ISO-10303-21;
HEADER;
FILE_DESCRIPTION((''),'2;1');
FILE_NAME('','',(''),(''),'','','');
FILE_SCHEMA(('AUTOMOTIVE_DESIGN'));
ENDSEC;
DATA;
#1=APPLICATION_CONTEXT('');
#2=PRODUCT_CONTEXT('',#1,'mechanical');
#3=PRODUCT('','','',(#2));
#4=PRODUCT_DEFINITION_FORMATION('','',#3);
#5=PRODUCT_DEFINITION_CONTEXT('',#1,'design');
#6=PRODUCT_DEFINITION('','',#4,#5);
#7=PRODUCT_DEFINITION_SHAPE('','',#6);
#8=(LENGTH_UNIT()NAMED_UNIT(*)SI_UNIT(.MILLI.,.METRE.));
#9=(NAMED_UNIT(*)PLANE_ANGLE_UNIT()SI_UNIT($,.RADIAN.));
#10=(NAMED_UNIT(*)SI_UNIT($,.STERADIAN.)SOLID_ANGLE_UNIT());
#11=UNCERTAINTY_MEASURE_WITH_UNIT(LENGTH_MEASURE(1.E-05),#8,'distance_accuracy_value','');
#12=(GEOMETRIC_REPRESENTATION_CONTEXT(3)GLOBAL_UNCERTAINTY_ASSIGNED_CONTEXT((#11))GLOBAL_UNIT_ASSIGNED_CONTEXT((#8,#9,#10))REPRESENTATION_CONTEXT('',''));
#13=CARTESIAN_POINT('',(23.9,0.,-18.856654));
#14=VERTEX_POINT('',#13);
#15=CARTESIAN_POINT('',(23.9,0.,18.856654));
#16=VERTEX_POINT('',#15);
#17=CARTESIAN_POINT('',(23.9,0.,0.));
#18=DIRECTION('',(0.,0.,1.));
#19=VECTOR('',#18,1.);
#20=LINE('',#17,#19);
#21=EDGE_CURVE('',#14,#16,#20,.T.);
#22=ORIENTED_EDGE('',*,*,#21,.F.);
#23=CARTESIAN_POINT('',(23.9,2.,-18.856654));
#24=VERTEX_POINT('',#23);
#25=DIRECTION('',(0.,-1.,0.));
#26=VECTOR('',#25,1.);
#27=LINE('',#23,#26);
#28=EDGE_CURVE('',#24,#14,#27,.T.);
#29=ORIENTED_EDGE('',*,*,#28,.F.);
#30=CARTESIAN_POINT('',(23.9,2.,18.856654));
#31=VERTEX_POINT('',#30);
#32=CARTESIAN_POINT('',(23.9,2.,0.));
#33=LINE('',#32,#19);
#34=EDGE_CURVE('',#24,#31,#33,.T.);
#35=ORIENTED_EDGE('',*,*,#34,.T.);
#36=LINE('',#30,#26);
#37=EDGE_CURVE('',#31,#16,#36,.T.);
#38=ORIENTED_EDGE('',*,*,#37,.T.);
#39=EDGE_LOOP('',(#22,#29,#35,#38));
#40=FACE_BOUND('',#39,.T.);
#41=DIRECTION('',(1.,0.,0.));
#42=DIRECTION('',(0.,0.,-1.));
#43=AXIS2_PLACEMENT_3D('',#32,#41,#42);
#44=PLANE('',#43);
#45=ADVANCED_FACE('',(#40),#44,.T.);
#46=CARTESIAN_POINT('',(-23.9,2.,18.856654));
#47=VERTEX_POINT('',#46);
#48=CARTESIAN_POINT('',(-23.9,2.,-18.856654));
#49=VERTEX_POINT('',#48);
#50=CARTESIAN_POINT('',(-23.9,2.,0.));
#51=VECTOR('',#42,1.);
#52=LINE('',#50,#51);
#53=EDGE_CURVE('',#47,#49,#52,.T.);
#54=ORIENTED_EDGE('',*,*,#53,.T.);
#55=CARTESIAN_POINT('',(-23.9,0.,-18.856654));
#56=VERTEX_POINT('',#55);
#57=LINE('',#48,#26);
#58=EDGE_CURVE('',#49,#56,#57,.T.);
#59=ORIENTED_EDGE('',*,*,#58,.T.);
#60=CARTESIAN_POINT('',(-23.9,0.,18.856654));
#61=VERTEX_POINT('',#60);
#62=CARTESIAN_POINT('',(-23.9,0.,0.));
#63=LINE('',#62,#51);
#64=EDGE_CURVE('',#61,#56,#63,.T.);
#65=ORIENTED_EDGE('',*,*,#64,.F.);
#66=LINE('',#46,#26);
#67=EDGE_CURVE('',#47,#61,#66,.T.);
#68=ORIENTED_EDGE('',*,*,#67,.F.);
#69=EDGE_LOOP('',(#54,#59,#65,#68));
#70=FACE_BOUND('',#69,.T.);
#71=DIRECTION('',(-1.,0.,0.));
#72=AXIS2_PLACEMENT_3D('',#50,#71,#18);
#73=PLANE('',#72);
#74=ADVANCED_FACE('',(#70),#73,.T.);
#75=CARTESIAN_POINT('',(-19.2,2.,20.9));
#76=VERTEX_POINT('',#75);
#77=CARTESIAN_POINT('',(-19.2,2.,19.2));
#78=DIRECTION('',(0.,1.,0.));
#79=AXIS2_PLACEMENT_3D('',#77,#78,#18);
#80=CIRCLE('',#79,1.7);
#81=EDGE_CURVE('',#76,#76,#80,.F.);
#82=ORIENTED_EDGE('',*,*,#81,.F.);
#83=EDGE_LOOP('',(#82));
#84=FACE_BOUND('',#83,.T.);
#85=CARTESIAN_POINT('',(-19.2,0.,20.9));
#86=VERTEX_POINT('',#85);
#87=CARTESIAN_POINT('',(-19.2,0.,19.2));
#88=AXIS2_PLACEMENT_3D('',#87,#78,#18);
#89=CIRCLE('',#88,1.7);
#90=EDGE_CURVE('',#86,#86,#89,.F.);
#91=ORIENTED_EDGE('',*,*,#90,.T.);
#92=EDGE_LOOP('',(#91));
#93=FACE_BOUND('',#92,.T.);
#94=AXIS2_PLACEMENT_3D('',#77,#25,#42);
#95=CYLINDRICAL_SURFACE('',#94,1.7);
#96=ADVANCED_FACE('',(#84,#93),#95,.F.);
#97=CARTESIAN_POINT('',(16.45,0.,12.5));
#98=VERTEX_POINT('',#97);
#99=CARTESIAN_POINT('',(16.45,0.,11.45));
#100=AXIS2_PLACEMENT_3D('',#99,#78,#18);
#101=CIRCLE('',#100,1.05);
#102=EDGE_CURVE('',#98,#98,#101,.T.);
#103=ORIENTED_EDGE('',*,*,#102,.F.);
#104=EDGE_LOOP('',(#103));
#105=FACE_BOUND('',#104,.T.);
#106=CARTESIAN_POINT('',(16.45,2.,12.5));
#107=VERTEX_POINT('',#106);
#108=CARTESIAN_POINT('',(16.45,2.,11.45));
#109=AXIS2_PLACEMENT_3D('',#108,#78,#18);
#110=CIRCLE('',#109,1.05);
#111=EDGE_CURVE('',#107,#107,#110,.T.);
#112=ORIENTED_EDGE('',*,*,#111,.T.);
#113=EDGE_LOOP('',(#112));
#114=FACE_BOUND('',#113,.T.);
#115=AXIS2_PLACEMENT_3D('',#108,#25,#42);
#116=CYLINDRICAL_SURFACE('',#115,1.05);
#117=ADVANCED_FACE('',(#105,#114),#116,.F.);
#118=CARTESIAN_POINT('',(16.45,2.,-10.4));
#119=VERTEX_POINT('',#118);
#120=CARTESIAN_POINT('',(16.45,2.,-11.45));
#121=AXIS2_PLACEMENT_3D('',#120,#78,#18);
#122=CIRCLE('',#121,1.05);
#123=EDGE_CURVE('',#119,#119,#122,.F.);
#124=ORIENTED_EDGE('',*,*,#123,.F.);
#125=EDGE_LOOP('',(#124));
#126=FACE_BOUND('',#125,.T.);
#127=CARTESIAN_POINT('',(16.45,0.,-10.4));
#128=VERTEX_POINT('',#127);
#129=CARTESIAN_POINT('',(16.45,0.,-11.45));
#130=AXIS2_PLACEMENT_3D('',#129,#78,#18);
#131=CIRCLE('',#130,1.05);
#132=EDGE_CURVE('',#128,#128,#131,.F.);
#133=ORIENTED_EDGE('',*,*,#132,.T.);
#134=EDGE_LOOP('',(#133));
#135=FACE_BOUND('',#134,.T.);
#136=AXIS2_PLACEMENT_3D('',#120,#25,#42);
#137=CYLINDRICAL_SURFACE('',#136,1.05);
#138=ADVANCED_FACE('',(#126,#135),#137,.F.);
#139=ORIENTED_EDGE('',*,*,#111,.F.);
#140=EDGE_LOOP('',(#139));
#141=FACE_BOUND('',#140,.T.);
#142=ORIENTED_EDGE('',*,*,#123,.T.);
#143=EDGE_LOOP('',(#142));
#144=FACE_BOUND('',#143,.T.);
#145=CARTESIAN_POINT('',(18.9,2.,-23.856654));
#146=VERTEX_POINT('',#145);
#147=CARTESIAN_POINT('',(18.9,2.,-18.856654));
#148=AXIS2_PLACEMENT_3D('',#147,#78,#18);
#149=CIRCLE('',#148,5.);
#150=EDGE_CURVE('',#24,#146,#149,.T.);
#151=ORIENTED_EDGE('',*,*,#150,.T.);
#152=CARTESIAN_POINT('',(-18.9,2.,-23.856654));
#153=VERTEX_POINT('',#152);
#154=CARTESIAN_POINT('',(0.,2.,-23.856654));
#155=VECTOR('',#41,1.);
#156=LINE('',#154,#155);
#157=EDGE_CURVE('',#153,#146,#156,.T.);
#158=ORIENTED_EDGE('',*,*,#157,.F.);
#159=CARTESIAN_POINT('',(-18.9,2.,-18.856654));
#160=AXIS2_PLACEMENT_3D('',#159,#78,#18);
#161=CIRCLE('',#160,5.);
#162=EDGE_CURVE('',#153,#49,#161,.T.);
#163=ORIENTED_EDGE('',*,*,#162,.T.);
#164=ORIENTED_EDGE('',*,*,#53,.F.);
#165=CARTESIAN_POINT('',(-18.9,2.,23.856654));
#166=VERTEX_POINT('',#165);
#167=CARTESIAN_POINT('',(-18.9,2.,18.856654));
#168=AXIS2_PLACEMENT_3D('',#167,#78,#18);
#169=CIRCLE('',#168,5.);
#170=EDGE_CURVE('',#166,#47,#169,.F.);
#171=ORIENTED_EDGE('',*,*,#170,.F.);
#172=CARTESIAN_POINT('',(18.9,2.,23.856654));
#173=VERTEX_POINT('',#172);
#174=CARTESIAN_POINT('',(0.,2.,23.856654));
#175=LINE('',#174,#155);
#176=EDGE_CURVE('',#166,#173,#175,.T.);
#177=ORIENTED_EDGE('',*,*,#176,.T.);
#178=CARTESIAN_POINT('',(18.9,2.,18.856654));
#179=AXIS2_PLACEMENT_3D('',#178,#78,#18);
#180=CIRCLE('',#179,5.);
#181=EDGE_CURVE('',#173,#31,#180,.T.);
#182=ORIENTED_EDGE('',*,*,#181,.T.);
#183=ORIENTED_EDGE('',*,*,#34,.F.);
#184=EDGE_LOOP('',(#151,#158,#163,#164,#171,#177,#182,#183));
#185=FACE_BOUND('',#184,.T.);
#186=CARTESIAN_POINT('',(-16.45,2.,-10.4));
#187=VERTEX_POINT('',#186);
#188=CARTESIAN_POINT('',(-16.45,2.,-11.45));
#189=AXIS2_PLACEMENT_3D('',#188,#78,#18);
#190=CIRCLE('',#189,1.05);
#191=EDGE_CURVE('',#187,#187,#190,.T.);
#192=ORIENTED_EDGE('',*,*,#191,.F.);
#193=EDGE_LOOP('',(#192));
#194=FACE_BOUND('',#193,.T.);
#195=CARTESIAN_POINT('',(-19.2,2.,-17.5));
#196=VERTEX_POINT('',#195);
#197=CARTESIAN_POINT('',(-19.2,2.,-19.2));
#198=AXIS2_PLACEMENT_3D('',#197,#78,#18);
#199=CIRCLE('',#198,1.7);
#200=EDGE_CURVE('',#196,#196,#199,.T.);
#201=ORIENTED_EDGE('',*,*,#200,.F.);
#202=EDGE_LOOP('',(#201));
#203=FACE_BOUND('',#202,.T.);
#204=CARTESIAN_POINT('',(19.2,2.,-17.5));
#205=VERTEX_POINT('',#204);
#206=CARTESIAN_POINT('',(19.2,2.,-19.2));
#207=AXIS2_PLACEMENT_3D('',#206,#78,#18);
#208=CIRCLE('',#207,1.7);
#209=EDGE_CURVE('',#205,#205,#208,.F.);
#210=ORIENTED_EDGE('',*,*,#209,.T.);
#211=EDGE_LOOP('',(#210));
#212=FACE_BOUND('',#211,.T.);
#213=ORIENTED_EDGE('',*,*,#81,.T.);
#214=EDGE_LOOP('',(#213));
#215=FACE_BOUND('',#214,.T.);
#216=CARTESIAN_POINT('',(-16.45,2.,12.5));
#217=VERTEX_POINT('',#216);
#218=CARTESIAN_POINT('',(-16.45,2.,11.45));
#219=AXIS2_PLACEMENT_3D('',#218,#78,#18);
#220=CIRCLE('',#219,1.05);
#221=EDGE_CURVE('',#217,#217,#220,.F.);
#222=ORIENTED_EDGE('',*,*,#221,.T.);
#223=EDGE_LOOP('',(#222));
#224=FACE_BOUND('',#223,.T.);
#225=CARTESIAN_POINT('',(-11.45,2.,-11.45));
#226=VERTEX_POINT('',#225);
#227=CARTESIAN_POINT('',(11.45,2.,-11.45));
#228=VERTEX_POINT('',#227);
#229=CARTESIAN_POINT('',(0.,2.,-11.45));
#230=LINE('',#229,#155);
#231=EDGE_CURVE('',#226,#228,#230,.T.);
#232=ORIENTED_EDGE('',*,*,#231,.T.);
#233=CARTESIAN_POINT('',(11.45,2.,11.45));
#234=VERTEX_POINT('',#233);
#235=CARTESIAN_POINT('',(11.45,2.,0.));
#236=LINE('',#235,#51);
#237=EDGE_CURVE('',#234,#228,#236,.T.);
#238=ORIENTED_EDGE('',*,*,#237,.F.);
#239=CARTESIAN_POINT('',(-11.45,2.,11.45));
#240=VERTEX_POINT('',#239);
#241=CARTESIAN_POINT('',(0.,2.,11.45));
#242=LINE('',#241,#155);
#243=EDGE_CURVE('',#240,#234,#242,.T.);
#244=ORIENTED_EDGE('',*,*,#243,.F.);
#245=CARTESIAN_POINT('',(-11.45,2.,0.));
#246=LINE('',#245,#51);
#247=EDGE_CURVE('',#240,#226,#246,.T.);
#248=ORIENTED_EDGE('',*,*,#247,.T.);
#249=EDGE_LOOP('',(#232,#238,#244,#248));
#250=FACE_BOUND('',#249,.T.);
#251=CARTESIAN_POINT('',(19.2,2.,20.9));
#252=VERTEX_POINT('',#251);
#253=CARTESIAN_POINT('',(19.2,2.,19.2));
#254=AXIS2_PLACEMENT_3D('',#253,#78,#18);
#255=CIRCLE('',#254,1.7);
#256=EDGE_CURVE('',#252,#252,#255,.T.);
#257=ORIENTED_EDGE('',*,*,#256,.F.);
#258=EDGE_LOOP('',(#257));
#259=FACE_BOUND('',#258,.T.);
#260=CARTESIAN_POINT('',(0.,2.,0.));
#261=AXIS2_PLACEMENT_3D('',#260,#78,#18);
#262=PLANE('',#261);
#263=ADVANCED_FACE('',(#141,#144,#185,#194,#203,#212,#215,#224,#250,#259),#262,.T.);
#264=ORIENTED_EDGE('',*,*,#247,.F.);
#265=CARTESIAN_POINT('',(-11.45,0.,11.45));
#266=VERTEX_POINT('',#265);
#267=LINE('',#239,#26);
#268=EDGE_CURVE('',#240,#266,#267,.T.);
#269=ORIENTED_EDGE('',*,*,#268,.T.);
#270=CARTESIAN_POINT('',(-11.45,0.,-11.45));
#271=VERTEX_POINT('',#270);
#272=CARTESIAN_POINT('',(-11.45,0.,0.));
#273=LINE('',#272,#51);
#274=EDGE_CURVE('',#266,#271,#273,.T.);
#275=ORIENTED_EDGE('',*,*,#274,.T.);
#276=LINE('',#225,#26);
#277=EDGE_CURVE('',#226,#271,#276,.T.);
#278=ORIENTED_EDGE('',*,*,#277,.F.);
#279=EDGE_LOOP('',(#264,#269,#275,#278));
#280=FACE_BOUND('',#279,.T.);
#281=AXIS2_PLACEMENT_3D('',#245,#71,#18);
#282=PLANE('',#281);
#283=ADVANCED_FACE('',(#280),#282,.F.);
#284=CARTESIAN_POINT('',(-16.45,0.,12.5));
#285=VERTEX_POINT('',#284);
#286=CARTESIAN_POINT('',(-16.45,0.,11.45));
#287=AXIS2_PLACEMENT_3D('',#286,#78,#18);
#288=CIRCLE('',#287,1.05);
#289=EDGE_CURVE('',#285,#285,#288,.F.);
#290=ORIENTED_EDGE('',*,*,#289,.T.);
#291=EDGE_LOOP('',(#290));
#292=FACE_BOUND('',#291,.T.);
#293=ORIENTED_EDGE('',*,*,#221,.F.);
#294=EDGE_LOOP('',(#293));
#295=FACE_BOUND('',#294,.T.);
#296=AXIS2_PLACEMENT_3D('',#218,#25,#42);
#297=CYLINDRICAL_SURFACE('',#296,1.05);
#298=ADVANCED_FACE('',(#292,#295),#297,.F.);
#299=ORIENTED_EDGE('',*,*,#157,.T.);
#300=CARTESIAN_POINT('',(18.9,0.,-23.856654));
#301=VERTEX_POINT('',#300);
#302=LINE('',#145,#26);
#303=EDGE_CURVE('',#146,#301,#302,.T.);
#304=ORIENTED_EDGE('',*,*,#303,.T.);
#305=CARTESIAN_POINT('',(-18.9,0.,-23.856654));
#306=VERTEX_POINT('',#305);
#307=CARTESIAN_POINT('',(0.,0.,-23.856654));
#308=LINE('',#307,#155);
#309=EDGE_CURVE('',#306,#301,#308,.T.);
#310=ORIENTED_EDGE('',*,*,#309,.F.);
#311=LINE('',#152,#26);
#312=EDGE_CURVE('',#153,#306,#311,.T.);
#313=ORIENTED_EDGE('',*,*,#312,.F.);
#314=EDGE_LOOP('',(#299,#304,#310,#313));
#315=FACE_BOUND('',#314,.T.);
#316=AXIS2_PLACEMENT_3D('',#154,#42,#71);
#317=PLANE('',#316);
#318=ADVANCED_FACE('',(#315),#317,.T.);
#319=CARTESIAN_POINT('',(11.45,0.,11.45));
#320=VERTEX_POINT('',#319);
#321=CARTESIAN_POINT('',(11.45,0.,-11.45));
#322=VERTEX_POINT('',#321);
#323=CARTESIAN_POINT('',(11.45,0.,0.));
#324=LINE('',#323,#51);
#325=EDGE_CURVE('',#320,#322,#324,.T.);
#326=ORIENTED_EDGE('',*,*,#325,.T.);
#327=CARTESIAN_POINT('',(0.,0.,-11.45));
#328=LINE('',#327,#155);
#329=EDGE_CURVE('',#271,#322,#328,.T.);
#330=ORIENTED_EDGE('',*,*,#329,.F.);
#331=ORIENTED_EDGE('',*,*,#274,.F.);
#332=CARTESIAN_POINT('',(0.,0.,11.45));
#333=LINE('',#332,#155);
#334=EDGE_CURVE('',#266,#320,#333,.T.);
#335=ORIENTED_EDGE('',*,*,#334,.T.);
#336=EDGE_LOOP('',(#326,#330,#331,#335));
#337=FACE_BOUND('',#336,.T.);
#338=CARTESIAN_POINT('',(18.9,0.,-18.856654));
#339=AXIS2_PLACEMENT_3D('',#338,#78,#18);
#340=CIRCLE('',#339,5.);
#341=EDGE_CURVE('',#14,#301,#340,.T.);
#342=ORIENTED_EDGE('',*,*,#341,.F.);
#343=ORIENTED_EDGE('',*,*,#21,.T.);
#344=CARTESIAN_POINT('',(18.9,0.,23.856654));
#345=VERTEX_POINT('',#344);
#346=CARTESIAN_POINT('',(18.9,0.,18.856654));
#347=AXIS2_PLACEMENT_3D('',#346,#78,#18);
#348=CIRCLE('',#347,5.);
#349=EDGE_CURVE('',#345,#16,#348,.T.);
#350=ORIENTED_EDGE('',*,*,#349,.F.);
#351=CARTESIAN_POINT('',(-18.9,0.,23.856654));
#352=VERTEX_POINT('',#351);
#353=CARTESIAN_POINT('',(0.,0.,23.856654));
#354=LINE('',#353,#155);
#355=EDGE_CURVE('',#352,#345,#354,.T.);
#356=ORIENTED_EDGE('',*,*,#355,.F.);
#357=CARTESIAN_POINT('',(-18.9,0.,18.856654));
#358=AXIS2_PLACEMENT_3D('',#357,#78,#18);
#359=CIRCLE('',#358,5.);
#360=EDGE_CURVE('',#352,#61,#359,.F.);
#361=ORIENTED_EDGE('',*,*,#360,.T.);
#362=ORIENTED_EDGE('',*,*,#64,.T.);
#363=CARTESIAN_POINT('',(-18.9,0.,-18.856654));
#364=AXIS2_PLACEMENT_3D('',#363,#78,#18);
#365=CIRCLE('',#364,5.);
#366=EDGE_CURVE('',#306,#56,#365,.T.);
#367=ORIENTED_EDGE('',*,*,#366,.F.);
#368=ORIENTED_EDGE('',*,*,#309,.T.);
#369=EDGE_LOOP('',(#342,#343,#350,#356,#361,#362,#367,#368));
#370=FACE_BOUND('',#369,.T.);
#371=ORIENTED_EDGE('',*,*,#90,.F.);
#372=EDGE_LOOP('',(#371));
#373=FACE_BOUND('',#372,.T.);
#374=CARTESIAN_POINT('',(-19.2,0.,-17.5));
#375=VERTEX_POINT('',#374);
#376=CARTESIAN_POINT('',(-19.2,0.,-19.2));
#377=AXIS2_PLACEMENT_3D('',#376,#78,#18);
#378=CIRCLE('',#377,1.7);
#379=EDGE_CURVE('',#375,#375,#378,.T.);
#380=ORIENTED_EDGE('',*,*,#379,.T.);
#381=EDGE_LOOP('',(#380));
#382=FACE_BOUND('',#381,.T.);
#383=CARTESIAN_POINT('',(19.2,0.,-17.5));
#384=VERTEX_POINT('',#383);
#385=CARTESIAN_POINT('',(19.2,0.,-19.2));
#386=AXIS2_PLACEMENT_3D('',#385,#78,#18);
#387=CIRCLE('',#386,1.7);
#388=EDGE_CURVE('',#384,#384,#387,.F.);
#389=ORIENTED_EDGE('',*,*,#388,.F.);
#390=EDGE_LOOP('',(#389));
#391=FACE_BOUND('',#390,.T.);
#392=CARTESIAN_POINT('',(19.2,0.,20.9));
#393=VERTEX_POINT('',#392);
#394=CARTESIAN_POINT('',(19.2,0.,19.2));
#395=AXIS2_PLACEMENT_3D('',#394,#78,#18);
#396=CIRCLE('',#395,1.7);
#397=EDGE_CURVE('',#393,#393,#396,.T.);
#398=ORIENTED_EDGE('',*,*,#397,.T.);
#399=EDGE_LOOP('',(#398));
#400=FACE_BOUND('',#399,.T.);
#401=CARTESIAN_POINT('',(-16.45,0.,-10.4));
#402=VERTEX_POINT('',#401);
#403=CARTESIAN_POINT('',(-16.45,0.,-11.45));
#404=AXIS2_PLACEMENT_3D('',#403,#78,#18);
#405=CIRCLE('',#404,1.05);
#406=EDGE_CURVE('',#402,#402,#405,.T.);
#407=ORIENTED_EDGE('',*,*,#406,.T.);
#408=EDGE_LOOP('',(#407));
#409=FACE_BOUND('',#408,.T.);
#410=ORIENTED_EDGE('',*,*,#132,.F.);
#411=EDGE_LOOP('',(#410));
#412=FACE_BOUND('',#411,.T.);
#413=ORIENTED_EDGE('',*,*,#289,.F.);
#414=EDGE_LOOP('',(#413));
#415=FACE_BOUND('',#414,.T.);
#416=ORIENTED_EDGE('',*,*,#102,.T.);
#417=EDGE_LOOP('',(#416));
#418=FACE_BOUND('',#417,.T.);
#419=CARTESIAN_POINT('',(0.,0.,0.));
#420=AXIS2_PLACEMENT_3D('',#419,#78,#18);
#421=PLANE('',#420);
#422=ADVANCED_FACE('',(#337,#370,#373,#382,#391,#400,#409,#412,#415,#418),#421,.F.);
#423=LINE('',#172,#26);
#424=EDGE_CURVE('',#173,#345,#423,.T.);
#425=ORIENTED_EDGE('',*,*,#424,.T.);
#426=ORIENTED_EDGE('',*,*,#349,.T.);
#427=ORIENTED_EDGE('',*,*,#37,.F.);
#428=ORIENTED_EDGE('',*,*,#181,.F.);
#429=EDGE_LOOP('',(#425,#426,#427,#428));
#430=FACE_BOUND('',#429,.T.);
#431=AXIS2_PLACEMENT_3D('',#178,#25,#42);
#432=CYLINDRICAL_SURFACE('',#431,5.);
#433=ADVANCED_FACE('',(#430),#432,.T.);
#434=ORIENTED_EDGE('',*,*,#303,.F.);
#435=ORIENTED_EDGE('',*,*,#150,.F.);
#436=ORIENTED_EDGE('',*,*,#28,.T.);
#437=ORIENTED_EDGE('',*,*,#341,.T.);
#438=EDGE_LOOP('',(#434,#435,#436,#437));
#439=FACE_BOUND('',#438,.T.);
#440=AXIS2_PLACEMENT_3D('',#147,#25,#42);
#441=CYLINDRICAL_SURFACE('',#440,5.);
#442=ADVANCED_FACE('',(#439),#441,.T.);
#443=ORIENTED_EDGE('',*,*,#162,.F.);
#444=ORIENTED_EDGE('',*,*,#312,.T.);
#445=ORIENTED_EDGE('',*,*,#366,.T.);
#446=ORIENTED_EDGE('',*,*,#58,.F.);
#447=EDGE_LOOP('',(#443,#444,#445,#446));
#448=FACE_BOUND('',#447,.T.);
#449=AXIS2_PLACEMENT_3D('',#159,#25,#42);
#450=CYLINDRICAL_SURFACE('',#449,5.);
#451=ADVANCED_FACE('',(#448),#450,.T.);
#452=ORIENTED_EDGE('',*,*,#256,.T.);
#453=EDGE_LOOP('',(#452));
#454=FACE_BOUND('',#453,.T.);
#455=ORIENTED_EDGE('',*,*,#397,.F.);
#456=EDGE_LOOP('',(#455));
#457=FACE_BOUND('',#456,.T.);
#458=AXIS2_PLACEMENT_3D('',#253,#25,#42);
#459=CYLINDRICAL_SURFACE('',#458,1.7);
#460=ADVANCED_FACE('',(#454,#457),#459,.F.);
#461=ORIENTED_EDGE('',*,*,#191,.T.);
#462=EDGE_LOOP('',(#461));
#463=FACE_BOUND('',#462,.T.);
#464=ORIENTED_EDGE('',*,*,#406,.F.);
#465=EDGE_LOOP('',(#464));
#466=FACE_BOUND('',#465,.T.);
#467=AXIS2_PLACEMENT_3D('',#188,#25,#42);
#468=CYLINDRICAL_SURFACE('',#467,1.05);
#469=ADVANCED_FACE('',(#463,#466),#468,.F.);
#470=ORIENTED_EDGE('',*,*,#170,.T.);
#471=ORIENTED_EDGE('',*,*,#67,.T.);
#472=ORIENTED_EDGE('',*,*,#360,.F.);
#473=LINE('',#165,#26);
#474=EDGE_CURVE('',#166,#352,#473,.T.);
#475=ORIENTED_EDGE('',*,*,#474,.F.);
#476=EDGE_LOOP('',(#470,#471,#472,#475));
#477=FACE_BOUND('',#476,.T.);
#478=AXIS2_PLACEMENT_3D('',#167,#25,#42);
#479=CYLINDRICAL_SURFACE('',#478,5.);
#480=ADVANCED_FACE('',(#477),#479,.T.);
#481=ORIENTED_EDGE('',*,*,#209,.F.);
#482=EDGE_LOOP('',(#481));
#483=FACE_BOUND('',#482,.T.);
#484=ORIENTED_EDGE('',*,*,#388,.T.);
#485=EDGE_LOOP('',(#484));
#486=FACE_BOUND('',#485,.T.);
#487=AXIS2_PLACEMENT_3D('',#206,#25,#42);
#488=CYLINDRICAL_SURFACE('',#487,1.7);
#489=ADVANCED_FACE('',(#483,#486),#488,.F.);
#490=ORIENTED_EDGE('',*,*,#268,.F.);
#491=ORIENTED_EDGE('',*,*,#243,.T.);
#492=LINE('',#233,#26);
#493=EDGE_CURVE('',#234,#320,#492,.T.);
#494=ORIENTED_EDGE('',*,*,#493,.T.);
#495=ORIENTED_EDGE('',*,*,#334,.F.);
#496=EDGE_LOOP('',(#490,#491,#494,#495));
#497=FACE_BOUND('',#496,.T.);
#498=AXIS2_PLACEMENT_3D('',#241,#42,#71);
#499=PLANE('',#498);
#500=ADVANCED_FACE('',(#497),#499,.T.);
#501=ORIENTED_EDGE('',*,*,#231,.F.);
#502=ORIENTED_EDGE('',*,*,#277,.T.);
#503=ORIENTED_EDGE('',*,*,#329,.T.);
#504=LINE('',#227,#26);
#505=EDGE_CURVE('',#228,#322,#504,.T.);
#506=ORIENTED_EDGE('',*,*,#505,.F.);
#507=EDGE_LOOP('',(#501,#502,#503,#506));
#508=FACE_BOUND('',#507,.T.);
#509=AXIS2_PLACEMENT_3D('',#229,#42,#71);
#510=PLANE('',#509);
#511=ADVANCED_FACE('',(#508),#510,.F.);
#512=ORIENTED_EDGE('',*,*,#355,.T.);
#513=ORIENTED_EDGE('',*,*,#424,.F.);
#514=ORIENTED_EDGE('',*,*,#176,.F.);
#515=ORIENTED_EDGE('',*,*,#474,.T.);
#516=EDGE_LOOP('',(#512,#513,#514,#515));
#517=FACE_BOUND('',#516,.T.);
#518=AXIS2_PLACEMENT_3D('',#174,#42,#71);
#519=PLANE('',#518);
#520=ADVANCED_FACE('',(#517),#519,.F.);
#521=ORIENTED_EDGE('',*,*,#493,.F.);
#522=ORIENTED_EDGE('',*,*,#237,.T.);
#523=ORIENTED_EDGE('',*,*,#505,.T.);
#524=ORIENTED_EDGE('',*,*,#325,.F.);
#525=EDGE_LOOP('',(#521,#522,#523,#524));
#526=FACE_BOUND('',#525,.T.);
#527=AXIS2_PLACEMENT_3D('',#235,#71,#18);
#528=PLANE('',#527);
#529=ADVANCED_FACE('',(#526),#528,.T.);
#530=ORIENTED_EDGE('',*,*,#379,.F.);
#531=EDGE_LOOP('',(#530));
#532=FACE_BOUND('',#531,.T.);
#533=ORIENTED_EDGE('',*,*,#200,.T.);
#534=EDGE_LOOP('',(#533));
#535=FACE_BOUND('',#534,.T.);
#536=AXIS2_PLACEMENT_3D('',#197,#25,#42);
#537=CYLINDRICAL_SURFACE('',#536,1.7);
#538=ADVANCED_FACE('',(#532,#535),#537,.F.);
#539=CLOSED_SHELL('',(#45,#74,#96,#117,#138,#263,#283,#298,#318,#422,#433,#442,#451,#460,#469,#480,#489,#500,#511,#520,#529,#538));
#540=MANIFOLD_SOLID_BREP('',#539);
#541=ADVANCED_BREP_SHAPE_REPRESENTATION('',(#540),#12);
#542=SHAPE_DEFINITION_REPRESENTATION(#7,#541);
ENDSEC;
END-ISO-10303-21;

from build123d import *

# Parameters (mm, degrees)
SKETCH_1_R      = 1.7
SKETCH_1_R_2    = 1.05
SKETCH_1_W      = 22.9
SKETCH_1_H      = 22.9
EXTRUDE_1_DEPTH = 2


with BuildPart() as part:
    # 草图1 → 凸台-拉伸1 (new body)
    with BuildSketch(Plane(origin=(0, 0, 0), x_dir=(1, 0, 0), z_dir=(0, 1, 0))):
        with BuildLine():
            ThreePointArc((-23.9, -18.856654127), (-22.435533906, -22.392188032), (-18.9, -23.856654127))
            Line((-18.9, -23.856654127), (18.9, -23.856654127))
            ThreePointArc((18.9, -23.856654127), (22.435533906, -22.392188032), (23.9, -18.856654127))
            Line((23.9, -18.856654127), (23.9, -0.043345873))
            Line((23.9, -0.043345873), (23.9, 0.043345873))
            Line((23.9, 0.043345873), (23.9, 18.856654127))
            ThreePointArc((23.9, 18.856654127), (22.435533906, 22.392188032), (18.9, 23.856654127))
            Line((18.9, 23.856654127), (-18.9, 23.856654127))
            ThreePointArc((-18.9, 23.856654127), (-22.435533906, 22.392188032), (-23.9, 18.856654127))
            Line((-23.9, 18.856654127), (-23.9, 0.043345873))
            Line((-23.9, 0.043345873), (-23.9, -0.043345873))
            Line((-23.9, -0.043345873), (-23.9, -18.856654127))
        make_face()
        with Locations(Location((-19.2, -19.2, 0), (0, 0, 270))):
            Circle(SKETCH_1_R, mode=Mode.SUBTRACT)
        with Locations(Location((-16.45, -11.45, 0), (0, 0, 270))):
            Circle(SKETCH_1_R_2, mode=Mode.SUBTRACT)
        with Locations(Location((19.2, -19.2, 0), (0, 0, 270))):
            Circle(SKETCH_1_R, mode=Mode.SUBTRACT)
        Rectangle(SKETCH_1_W, SKETCH_1_H, mode=Mode.SUBTRACT)
        with Locations(Location((16.45, -11.45, 0), (0, 0, 270))):
            Circle(SKETCH_1_R_2, mode=Mode.SUBTRACT)
        with Locations(Location((-16.45, 11.45, 0), (0, 0, 270))):
            Circle(SKETCH_1_R_2, mode=Mode.SUBTRACT)
        with Locations(Location((-19.2, 19.2, 0), (0, 0, 270))):
            Circle(SKETCH_1_R, mode=Mode.SUBTRACT)
        with Locations(Location((16.45, 11.45, 0), (0, 0, 270))):
            Circle(SKETCH_1_R_2, mode=Mode.SUBTRACT)
        with Locations(Location((19.2, 19.2, 0), (0, 0, 270))):
            Circle(SKETCH_1_R, mode=Mode.SUBTRACT)
    extrude(amount=EXTRUDE_1_DEPTH)


solid = part.part
